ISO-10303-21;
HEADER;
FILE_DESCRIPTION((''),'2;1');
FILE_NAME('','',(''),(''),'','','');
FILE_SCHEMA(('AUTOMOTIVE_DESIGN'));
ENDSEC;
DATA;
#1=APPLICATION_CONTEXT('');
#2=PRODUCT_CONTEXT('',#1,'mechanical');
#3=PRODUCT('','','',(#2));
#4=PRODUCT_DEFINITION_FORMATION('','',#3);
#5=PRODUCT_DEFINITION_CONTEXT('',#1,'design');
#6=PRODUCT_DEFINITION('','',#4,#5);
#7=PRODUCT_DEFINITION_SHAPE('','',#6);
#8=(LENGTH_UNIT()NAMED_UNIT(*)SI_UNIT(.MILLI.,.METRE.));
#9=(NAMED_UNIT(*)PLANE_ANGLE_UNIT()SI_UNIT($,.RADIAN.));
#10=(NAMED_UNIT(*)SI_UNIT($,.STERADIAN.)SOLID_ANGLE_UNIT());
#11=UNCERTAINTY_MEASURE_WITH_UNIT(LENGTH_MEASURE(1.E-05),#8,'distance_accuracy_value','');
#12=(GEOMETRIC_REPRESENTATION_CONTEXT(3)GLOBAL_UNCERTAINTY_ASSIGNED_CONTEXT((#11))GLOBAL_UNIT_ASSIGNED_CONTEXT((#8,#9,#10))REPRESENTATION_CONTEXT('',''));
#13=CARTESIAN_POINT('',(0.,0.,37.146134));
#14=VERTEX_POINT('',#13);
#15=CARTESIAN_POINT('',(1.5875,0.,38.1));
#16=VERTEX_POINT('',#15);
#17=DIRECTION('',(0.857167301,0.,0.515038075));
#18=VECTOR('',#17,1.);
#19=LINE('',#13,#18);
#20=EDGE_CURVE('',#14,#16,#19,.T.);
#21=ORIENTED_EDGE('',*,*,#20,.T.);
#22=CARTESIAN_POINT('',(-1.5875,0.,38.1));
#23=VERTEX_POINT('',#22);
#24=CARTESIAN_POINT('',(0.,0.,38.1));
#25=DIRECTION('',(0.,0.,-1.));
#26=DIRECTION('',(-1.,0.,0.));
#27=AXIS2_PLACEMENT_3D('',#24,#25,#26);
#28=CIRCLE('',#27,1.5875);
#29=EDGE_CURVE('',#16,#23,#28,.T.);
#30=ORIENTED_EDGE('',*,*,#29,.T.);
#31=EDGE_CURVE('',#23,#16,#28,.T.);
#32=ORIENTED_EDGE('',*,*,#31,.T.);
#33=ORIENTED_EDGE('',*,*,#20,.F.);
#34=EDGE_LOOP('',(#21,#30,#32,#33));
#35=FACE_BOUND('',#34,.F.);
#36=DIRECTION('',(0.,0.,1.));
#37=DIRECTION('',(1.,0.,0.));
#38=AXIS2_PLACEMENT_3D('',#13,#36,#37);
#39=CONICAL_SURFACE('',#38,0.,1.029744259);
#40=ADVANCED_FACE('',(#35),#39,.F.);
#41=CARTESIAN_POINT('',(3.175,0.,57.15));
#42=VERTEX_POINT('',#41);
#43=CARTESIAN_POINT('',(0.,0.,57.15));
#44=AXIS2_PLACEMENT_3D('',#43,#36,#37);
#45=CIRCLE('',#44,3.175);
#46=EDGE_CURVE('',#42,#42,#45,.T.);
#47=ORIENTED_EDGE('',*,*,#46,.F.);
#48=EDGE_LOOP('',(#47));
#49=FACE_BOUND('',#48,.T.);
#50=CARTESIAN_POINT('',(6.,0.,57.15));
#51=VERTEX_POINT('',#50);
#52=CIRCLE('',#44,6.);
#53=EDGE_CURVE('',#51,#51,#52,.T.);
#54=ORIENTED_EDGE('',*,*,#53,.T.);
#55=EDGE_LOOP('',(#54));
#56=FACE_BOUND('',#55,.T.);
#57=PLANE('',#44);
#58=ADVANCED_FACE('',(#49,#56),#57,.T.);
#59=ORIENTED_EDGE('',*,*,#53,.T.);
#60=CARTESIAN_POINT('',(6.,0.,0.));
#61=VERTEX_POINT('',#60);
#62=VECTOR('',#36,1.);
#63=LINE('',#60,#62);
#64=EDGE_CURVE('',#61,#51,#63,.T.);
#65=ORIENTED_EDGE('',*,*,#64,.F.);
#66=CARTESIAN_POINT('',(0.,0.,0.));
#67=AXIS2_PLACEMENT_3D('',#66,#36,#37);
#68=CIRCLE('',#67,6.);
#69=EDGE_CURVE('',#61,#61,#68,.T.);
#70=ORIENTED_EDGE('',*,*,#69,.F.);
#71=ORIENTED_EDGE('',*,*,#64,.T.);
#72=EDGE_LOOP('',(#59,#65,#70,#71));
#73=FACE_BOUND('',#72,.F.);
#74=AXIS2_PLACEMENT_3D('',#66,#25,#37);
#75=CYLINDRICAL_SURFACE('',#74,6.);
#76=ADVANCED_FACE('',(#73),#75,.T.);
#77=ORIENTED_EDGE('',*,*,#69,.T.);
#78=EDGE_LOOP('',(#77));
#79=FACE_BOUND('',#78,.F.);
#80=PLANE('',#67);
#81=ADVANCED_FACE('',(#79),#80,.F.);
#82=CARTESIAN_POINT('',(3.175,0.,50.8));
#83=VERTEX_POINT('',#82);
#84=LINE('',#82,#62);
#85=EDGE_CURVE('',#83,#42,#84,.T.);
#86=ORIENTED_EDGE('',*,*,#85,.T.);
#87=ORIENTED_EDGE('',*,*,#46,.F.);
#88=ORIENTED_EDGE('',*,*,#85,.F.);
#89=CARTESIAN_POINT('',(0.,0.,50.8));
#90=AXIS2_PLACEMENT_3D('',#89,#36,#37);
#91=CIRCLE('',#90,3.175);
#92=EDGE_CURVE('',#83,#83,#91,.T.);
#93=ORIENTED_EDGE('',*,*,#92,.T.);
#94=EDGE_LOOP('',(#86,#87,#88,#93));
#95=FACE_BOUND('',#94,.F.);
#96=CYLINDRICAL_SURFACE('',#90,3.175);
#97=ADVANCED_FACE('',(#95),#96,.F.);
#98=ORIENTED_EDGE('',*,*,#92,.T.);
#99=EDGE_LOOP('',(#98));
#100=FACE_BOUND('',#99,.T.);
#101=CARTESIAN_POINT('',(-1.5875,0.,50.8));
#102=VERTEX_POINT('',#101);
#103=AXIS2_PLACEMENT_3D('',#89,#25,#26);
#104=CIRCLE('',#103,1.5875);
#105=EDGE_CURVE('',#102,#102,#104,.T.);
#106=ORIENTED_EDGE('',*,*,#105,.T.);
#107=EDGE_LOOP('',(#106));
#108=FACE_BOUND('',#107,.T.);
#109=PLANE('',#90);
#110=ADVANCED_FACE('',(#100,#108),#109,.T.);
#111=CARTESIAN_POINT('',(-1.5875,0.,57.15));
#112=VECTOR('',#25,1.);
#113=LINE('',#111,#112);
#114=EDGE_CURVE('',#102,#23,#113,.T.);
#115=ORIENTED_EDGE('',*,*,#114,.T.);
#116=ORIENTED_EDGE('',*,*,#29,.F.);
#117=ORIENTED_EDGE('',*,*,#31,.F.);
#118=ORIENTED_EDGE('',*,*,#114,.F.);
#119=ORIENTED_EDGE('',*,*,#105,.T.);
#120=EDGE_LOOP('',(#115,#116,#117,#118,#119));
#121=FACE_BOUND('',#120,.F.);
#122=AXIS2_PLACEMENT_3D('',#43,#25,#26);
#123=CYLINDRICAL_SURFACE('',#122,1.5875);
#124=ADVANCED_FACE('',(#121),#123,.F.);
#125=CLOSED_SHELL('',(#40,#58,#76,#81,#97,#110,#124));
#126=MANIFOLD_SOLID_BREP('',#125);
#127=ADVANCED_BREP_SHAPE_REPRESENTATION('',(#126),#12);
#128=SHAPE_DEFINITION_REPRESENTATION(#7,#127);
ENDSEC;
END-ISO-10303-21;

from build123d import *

# Parameters (mm, degrees)
F0_R           = 6
F1_DEPTH       = 57.15
F3_D           = 3.175
F3_DEPTH       = 19.05
F3_CBORE_D     = 6.35
F3_CBORE_DEPTH = 6.35
F3_TIP         = 0.9538662327


with BuildPart() as f1:
    # F0 (on Top) → F1 (new body)
    with BuildSketch(Plane.XY):
        Circle(F0_R)
    extrude(amount=F1_DEPTH)

    # F3
    with Locations(Plane.XY.offset(57.15)):
        with Locations((0, 0)):
            CounterBoreHole(F3_D / 2, F3_CBORE_D / 2, F3_CBORE_DEPTH, depth=F3_DEPTH)
            with Locations((0, 0, -(F3_DEPTH + F3_TIP / 2))):  # 118° drill point
                Cone(0, F3_D / 2, F3_TIP, mode=Mode.SUBTRACT)


solid = f1.part
